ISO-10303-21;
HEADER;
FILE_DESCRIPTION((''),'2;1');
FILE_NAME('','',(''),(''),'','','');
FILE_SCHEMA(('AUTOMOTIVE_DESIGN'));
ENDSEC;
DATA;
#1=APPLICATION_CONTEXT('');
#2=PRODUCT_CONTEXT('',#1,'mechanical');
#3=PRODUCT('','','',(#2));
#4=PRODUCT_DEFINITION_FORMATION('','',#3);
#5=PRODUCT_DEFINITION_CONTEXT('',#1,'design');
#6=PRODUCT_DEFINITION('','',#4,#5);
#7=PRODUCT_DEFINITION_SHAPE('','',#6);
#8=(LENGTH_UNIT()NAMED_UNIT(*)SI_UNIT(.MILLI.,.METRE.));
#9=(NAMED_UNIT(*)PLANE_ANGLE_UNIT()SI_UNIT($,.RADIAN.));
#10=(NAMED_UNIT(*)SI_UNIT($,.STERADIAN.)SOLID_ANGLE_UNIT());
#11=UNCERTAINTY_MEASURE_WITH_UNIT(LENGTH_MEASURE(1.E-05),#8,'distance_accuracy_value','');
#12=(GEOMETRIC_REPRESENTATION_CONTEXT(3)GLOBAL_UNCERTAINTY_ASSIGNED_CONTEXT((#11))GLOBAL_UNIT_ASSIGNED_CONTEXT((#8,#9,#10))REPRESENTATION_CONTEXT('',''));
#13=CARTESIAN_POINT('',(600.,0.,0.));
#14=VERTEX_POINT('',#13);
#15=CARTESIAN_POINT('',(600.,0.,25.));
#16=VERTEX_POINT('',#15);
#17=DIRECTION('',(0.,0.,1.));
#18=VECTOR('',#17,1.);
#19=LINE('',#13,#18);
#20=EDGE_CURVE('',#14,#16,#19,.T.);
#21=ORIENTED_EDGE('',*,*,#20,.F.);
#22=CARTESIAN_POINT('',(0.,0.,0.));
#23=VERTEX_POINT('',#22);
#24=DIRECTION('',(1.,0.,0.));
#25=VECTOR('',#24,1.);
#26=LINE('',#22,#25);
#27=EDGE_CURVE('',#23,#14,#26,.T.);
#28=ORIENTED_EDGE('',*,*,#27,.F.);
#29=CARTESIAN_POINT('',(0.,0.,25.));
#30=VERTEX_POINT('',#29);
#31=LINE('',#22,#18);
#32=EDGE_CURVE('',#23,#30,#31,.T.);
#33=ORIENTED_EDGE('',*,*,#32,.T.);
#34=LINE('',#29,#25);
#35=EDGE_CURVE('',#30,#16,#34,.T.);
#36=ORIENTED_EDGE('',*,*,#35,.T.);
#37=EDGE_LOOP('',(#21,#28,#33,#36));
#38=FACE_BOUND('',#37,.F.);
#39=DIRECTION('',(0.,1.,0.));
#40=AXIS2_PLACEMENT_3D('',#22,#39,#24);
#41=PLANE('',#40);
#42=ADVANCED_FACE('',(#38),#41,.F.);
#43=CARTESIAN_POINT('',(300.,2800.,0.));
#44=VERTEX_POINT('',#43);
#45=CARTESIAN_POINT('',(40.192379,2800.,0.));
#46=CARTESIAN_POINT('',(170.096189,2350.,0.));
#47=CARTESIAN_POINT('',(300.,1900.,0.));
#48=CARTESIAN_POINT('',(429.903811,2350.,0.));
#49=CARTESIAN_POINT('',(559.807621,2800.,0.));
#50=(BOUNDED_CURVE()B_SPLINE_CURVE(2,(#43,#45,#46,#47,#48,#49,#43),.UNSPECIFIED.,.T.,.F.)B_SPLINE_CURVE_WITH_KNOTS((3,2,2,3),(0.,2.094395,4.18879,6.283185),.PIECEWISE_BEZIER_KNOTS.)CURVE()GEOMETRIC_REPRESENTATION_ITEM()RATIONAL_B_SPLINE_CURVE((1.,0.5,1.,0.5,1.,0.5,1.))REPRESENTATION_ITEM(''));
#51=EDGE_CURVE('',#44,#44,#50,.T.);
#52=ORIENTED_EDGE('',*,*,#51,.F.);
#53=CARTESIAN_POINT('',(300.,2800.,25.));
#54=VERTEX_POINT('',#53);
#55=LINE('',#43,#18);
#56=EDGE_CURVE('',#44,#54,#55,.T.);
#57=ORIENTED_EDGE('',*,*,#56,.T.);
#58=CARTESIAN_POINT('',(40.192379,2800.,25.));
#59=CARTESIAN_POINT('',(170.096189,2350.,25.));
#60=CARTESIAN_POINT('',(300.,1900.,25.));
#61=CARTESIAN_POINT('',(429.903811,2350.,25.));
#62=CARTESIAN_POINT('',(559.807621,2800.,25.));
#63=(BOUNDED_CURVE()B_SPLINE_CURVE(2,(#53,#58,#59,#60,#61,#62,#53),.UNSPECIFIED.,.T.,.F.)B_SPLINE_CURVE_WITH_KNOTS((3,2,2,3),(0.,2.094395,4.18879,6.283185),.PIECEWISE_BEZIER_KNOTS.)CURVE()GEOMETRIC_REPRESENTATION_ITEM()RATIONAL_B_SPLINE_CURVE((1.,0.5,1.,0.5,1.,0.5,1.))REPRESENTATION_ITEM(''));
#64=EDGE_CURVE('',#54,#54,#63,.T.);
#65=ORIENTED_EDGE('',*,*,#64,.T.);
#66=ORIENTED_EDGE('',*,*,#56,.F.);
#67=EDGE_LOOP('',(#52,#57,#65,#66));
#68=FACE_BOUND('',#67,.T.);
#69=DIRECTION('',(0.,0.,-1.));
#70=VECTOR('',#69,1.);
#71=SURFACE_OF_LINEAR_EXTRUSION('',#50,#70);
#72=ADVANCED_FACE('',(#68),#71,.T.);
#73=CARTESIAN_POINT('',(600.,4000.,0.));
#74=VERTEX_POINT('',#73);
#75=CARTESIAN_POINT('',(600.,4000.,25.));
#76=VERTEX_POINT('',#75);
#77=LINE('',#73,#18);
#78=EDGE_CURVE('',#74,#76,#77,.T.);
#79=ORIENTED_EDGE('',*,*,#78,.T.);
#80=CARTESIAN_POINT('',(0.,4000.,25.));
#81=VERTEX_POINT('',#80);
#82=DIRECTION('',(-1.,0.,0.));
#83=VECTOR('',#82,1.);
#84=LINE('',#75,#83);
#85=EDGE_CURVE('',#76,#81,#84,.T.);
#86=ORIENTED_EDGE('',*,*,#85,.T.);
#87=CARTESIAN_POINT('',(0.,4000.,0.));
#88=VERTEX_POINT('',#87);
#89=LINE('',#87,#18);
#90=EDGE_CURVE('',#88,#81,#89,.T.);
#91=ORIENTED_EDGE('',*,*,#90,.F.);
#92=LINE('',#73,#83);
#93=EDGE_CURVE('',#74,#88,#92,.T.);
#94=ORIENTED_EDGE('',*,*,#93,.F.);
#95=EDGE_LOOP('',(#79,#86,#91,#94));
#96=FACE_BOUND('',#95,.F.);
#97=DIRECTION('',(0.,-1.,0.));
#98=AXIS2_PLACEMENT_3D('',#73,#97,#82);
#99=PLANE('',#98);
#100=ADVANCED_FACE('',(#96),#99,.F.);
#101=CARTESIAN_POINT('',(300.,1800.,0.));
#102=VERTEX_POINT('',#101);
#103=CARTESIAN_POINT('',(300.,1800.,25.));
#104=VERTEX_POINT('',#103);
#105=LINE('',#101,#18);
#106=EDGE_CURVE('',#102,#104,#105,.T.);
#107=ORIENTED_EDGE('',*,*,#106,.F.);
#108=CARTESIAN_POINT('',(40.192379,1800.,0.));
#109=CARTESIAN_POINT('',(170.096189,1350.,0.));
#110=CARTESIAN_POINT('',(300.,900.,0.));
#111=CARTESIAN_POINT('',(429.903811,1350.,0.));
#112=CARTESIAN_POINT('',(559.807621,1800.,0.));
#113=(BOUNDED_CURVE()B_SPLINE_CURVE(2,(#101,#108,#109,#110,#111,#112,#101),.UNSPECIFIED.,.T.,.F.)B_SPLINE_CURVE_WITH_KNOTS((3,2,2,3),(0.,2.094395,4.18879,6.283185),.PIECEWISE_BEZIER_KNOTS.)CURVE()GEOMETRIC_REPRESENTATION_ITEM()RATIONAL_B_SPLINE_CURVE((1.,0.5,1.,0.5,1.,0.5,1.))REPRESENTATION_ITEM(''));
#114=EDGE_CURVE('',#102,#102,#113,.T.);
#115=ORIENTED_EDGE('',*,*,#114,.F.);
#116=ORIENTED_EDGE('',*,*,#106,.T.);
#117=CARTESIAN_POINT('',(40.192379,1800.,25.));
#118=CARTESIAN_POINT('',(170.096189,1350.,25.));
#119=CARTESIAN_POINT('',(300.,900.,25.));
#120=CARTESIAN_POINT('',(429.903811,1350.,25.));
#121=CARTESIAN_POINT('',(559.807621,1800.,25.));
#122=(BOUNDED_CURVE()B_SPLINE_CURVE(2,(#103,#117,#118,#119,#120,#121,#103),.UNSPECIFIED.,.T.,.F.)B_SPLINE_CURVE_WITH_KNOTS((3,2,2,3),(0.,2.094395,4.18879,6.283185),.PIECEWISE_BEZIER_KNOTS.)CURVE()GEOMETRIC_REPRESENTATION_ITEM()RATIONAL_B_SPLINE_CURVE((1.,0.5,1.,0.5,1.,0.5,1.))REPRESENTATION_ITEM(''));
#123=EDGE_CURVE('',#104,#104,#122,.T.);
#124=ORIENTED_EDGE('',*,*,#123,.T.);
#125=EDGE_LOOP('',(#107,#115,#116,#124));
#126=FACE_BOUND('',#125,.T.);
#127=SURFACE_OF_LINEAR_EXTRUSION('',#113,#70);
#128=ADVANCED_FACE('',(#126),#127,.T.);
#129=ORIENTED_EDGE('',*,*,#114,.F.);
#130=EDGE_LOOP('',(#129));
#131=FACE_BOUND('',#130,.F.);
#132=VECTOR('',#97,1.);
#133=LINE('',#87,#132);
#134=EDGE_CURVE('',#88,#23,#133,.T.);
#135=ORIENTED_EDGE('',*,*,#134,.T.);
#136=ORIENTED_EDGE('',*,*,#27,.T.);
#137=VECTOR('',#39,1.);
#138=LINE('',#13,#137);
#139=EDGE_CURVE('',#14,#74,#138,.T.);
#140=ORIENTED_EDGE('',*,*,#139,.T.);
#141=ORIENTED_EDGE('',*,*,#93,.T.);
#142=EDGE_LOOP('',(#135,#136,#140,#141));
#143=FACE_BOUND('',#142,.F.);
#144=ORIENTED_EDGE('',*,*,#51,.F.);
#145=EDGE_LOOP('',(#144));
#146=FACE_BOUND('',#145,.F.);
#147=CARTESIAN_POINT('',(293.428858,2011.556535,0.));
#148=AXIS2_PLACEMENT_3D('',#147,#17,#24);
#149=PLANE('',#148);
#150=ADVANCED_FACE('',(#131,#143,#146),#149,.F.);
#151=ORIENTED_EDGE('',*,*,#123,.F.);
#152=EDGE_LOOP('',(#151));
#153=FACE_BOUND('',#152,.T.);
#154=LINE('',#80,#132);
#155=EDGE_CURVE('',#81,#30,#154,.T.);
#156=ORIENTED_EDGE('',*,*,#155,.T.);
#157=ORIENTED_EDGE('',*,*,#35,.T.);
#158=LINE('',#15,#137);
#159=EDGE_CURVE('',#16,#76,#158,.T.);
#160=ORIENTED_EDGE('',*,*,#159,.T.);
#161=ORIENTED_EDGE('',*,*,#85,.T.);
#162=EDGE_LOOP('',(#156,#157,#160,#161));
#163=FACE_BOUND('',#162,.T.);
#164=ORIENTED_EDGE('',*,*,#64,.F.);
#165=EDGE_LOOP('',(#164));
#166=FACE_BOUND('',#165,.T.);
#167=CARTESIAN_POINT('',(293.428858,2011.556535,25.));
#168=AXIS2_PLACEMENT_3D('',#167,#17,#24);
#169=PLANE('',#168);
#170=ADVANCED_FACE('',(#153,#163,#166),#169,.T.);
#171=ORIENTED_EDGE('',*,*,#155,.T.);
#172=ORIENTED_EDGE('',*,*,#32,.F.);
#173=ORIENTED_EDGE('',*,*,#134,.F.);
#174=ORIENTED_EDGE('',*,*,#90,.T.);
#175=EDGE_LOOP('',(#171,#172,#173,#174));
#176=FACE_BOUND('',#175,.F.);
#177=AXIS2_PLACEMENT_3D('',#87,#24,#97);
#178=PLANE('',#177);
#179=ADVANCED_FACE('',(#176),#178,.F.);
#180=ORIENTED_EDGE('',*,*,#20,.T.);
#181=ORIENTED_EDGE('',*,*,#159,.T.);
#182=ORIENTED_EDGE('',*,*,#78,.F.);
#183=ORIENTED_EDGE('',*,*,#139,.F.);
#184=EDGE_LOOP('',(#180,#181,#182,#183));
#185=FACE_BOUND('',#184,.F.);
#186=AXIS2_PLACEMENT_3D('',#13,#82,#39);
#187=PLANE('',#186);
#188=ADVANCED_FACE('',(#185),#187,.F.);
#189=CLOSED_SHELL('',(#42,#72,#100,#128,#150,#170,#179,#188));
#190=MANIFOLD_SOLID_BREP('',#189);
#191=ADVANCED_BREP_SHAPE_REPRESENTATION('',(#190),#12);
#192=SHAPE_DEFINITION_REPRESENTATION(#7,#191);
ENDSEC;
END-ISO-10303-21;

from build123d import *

# Parameters (mm, degrees)
F1_DEPTH = 25


with BuildPart() as f1:
    # F0 (on Top) → F1 (new body)
    with BuildSketch(Plane.XY):
        with BuildLine():
            Line((0, 3000), (0, 0))
            Line((0, 0), (600, 0))
            Line((600, 0), (600, 186.54424))
            ThreePointArc((600, 186.54424), (450, 336.54424), (600, 486.54424))
            Line((600, 486.54424), (600, 583.93681))
            ThreePointArc((600, 583.93681), (450, 733.93681), (600, 883.93681))
            Line((600, 883.93681), (600, 4000))
            Line((600, 4000), (0, 4000))
            Line((0, 4000), (0, 3100))
            Line((0, 3100), (150, 3100))
            ThreePointArc((150, 3100), (250, 3000), (150, 2900))
            ThreePointArc((150, 2900), (79.289322, 2929.289322), (50, 3000))
            Line((50, 3000), (0, 3000))
        make_face()
        with BuildLine():
            add(Edge.make_bspline(
                [(300, 1800), (40.192379, 1800), (170.096189, 1350), (300, 900), (429.903811, 1350), (559.807621, 1800), (300, 1800)],
                knots=[0, 0, 0, 2.094395, 2.094395, 4.18879, 4.18879, 6.283185, 6.283185, 6.283185], degree=2, weights=[1, 0.5, 1, 0.5, 1, 0.5, 1]))
        make_face(mode=Mode.SUBTRACT)
        with BuildLine():
            add(Edge.make_bspline(
                [(300, 2800), (40.192379, 2800), (170.096189, 2350), (300, 1900), (429.903811, 2350), (559.807621, 2800), (300, 2800)],
                knots=[0, 0, 0, 2.094395, 2.094395, 4.18879, 4.18879, 6.283185, 6.283185, 6.283185], degree=2, weights=[1, 0.5, 1, 0.5, 1, 0.5, 1]))
        make_face(mode=Mode.SUBTRACT)
        with BuildLine():
            Line((0, 3100), (0, 3000))
            Line((0, 3000), (50, 3000))
            ThreePointArc((50, 3000), (79.289322, 2929.289322), (150, 2900))
            ThreePointArc((150, 2900), (250, 3000), (150, 3100))
            Line((150, 3100), (0, 3100))
        make_face()
        with BuildLine():
            ThreePointArc((600, 883.93681), (450, 733.93681), (600, 583.93681))
            Line((600, 583.93681), (600, 883.93681))
        make_face()
        with BuildLine():
            ThreePointArc((600, 486.54424), (450, 336.54424), (600, 186.54424))
            Line((600, 186.54424), (600, 486.54424))
        make_face()
    extrude(amount=F1_DEPTH)


solid = f1.part
